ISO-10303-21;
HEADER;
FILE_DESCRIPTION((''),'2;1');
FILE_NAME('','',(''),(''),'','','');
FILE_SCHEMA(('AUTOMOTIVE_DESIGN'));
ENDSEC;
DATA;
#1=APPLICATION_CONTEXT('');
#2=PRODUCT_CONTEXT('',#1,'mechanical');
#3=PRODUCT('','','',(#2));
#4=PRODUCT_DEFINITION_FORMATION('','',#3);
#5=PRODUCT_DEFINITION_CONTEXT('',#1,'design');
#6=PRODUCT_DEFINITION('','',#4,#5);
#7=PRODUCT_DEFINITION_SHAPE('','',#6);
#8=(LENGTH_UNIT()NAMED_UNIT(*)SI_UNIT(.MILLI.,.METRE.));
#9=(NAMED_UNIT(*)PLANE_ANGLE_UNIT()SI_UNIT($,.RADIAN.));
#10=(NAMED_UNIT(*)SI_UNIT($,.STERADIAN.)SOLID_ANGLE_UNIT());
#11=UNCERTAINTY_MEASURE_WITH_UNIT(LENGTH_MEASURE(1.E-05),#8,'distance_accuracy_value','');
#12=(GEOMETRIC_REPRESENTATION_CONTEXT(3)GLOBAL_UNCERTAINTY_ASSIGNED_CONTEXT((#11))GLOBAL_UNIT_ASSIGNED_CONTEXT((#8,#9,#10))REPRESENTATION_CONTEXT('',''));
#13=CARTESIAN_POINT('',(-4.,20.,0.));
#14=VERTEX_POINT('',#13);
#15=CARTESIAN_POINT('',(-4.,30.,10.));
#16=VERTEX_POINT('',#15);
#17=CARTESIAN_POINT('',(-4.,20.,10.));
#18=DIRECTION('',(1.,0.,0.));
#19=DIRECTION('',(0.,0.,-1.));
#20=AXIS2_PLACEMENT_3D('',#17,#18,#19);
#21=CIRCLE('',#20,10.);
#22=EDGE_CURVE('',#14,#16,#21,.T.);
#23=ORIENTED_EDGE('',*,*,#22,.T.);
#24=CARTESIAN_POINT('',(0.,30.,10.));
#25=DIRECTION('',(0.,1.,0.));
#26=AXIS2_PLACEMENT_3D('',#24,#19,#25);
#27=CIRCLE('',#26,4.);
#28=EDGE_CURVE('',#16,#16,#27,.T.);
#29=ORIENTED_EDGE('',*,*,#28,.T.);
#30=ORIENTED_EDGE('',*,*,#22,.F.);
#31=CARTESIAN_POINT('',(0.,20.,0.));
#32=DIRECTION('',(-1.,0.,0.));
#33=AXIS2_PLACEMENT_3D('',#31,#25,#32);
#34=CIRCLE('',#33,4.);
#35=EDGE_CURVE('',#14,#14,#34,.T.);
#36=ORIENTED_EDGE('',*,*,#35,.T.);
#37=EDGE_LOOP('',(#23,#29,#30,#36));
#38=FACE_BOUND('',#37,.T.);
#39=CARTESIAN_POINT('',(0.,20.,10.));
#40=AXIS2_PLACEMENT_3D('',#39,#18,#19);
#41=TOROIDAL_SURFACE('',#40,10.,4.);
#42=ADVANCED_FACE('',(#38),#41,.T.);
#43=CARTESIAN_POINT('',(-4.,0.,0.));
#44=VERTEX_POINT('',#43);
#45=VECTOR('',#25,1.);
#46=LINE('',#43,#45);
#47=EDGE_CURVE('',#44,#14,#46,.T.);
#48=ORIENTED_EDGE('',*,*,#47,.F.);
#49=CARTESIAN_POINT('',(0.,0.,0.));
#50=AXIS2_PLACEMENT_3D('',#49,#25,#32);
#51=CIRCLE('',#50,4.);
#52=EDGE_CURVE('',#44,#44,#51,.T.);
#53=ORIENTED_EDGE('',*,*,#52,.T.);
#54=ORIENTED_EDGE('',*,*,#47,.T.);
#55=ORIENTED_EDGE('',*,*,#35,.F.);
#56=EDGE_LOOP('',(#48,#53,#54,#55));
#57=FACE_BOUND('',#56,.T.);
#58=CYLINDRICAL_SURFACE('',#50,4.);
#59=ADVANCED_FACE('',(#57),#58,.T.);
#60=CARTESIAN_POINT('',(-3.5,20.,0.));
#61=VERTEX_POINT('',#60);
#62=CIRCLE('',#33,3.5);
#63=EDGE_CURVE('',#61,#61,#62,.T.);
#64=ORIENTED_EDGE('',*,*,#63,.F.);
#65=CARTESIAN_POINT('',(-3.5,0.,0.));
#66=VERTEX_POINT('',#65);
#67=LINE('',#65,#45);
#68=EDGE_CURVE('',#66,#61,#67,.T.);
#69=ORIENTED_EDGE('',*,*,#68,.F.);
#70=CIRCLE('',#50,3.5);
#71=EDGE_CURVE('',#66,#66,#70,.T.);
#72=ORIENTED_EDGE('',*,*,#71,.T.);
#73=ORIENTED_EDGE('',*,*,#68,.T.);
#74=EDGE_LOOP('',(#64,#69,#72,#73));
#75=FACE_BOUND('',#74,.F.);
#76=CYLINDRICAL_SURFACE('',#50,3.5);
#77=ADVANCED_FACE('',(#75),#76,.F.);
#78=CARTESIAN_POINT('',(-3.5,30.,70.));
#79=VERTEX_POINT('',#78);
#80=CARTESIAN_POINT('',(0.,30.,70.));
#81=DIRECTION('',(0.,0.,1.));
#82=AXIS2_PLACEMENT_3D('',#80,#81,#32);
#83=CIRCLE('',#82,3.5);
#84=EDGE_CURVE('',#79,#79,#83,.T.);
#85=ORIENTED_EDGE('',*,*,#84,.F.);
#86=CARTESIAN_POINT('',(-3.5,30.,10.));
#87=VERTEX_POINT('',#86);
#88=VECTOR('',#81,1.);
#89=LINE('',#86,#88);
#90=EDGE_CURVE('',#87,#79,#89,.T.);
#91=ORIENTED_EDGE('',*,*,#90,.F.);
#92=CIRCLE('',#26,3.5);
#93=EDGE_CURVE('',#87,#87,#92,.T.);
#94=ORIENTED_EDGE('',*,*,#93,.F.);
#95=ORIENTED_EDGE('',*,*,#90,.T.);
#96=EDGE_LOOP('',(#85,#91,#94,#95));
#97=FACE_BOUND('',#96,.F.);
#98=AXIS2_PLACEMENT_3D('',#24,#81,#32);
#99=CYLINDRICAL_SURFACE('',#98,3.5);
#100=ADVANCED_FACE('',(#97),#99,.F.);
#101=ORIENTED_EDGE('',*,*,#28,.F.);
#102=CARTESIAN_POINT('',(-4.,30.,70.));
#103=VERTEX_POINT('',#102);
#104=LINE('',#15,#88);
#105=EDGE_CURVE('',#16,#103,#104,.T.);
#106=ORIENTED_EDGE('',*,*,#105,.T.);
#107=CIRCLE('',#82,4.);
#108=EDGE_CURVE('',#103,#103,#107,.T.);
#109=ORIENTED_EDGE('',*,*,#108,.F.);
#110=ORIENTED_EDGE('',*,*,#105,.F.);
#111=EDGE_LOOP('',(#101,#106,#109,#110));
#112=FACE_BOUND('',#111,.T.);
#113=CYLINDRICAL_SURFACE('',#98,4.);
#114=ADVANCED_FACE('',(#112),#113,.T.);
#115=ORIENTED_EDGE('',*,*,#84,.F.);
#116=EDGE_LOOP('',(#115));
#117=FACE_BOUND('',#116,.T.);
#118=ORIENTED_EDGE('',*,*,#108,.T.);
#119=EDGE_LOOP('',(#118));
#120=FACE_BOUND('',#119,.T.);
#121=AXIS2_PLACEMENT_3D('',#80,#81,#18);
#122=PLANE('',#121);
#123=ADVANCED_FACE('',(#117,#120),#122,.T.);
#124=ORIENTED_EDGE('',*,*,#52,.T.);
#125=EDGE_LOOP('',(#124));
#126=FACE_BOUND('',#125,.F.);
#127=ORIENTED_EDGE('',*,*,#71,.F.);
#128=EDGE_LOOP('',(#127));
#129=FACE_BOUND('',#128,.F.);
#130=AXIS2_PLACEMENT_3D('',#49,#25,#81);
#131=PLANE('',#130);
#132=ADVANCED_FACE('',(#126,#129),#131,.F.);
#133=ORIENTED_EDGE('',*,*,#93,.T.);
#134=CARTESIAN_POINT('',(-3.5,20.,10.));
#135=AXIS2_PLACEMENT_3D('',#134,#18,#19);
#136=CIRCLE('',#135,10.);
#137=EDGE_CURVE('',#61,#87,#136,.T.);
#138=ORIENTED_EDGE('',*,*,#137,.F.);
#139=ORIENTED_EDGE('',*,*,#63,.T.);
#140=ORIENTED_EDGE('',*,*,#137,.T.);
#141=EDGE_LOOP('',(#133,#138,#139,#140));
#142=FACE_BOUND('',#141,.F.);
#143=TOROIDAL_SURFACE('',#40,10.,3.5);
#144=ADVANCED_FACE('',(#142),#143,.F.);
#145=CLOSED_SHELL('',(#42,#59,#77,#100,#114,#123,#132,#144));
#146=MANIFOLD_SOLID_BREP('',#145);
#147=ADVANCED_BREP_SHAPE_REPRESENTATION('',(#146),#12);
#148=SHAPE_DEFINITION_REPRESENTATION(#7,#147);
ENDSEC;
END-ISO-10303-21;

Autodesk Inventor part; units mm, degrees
ref_plane "XZ Plane" through (0, 0, 0) normal (0, 1, 0) x (-1, 0, 0)
ref_plane "XY Plane" through (0, 0, 0) normal (0, 0, 1) x (1, 0, 0)
sketch "Skizze1" plane through (0, 0, 0) normal (0, 1, 0) x (-1, 0, 0)
  circle A0 centre (0, 0) radius 4
  circle A1 centre (0, 0) radius 3.5
  dimension "d0" = 8
  dimension "d1" = 7
ref_plane "Arbeitsebene1" through (0, 0, 0) normal (1, 0, 0) x (0, 1, 0)
sketch "Skizze2" plane through (0, 0, 0) normal (1, 0, 0) x (0, 1, 0)
  line L0 (0, 0) -> (20, 0)
  line L1 (30, 10) -> (30, 70)
  arc A0 (20, 0) -> (30, 10) centre (20, 10) ccw
  point P0 (30, 0)
  dimension "d3" = 70
  dimension "d4" = 10
  dimension "d5" = 30
sweep "Sweeping1" add profiles "Skizze1" path "Skizze2"
properties part number "Auspuffkrümmer" material "Copper, Cast"
